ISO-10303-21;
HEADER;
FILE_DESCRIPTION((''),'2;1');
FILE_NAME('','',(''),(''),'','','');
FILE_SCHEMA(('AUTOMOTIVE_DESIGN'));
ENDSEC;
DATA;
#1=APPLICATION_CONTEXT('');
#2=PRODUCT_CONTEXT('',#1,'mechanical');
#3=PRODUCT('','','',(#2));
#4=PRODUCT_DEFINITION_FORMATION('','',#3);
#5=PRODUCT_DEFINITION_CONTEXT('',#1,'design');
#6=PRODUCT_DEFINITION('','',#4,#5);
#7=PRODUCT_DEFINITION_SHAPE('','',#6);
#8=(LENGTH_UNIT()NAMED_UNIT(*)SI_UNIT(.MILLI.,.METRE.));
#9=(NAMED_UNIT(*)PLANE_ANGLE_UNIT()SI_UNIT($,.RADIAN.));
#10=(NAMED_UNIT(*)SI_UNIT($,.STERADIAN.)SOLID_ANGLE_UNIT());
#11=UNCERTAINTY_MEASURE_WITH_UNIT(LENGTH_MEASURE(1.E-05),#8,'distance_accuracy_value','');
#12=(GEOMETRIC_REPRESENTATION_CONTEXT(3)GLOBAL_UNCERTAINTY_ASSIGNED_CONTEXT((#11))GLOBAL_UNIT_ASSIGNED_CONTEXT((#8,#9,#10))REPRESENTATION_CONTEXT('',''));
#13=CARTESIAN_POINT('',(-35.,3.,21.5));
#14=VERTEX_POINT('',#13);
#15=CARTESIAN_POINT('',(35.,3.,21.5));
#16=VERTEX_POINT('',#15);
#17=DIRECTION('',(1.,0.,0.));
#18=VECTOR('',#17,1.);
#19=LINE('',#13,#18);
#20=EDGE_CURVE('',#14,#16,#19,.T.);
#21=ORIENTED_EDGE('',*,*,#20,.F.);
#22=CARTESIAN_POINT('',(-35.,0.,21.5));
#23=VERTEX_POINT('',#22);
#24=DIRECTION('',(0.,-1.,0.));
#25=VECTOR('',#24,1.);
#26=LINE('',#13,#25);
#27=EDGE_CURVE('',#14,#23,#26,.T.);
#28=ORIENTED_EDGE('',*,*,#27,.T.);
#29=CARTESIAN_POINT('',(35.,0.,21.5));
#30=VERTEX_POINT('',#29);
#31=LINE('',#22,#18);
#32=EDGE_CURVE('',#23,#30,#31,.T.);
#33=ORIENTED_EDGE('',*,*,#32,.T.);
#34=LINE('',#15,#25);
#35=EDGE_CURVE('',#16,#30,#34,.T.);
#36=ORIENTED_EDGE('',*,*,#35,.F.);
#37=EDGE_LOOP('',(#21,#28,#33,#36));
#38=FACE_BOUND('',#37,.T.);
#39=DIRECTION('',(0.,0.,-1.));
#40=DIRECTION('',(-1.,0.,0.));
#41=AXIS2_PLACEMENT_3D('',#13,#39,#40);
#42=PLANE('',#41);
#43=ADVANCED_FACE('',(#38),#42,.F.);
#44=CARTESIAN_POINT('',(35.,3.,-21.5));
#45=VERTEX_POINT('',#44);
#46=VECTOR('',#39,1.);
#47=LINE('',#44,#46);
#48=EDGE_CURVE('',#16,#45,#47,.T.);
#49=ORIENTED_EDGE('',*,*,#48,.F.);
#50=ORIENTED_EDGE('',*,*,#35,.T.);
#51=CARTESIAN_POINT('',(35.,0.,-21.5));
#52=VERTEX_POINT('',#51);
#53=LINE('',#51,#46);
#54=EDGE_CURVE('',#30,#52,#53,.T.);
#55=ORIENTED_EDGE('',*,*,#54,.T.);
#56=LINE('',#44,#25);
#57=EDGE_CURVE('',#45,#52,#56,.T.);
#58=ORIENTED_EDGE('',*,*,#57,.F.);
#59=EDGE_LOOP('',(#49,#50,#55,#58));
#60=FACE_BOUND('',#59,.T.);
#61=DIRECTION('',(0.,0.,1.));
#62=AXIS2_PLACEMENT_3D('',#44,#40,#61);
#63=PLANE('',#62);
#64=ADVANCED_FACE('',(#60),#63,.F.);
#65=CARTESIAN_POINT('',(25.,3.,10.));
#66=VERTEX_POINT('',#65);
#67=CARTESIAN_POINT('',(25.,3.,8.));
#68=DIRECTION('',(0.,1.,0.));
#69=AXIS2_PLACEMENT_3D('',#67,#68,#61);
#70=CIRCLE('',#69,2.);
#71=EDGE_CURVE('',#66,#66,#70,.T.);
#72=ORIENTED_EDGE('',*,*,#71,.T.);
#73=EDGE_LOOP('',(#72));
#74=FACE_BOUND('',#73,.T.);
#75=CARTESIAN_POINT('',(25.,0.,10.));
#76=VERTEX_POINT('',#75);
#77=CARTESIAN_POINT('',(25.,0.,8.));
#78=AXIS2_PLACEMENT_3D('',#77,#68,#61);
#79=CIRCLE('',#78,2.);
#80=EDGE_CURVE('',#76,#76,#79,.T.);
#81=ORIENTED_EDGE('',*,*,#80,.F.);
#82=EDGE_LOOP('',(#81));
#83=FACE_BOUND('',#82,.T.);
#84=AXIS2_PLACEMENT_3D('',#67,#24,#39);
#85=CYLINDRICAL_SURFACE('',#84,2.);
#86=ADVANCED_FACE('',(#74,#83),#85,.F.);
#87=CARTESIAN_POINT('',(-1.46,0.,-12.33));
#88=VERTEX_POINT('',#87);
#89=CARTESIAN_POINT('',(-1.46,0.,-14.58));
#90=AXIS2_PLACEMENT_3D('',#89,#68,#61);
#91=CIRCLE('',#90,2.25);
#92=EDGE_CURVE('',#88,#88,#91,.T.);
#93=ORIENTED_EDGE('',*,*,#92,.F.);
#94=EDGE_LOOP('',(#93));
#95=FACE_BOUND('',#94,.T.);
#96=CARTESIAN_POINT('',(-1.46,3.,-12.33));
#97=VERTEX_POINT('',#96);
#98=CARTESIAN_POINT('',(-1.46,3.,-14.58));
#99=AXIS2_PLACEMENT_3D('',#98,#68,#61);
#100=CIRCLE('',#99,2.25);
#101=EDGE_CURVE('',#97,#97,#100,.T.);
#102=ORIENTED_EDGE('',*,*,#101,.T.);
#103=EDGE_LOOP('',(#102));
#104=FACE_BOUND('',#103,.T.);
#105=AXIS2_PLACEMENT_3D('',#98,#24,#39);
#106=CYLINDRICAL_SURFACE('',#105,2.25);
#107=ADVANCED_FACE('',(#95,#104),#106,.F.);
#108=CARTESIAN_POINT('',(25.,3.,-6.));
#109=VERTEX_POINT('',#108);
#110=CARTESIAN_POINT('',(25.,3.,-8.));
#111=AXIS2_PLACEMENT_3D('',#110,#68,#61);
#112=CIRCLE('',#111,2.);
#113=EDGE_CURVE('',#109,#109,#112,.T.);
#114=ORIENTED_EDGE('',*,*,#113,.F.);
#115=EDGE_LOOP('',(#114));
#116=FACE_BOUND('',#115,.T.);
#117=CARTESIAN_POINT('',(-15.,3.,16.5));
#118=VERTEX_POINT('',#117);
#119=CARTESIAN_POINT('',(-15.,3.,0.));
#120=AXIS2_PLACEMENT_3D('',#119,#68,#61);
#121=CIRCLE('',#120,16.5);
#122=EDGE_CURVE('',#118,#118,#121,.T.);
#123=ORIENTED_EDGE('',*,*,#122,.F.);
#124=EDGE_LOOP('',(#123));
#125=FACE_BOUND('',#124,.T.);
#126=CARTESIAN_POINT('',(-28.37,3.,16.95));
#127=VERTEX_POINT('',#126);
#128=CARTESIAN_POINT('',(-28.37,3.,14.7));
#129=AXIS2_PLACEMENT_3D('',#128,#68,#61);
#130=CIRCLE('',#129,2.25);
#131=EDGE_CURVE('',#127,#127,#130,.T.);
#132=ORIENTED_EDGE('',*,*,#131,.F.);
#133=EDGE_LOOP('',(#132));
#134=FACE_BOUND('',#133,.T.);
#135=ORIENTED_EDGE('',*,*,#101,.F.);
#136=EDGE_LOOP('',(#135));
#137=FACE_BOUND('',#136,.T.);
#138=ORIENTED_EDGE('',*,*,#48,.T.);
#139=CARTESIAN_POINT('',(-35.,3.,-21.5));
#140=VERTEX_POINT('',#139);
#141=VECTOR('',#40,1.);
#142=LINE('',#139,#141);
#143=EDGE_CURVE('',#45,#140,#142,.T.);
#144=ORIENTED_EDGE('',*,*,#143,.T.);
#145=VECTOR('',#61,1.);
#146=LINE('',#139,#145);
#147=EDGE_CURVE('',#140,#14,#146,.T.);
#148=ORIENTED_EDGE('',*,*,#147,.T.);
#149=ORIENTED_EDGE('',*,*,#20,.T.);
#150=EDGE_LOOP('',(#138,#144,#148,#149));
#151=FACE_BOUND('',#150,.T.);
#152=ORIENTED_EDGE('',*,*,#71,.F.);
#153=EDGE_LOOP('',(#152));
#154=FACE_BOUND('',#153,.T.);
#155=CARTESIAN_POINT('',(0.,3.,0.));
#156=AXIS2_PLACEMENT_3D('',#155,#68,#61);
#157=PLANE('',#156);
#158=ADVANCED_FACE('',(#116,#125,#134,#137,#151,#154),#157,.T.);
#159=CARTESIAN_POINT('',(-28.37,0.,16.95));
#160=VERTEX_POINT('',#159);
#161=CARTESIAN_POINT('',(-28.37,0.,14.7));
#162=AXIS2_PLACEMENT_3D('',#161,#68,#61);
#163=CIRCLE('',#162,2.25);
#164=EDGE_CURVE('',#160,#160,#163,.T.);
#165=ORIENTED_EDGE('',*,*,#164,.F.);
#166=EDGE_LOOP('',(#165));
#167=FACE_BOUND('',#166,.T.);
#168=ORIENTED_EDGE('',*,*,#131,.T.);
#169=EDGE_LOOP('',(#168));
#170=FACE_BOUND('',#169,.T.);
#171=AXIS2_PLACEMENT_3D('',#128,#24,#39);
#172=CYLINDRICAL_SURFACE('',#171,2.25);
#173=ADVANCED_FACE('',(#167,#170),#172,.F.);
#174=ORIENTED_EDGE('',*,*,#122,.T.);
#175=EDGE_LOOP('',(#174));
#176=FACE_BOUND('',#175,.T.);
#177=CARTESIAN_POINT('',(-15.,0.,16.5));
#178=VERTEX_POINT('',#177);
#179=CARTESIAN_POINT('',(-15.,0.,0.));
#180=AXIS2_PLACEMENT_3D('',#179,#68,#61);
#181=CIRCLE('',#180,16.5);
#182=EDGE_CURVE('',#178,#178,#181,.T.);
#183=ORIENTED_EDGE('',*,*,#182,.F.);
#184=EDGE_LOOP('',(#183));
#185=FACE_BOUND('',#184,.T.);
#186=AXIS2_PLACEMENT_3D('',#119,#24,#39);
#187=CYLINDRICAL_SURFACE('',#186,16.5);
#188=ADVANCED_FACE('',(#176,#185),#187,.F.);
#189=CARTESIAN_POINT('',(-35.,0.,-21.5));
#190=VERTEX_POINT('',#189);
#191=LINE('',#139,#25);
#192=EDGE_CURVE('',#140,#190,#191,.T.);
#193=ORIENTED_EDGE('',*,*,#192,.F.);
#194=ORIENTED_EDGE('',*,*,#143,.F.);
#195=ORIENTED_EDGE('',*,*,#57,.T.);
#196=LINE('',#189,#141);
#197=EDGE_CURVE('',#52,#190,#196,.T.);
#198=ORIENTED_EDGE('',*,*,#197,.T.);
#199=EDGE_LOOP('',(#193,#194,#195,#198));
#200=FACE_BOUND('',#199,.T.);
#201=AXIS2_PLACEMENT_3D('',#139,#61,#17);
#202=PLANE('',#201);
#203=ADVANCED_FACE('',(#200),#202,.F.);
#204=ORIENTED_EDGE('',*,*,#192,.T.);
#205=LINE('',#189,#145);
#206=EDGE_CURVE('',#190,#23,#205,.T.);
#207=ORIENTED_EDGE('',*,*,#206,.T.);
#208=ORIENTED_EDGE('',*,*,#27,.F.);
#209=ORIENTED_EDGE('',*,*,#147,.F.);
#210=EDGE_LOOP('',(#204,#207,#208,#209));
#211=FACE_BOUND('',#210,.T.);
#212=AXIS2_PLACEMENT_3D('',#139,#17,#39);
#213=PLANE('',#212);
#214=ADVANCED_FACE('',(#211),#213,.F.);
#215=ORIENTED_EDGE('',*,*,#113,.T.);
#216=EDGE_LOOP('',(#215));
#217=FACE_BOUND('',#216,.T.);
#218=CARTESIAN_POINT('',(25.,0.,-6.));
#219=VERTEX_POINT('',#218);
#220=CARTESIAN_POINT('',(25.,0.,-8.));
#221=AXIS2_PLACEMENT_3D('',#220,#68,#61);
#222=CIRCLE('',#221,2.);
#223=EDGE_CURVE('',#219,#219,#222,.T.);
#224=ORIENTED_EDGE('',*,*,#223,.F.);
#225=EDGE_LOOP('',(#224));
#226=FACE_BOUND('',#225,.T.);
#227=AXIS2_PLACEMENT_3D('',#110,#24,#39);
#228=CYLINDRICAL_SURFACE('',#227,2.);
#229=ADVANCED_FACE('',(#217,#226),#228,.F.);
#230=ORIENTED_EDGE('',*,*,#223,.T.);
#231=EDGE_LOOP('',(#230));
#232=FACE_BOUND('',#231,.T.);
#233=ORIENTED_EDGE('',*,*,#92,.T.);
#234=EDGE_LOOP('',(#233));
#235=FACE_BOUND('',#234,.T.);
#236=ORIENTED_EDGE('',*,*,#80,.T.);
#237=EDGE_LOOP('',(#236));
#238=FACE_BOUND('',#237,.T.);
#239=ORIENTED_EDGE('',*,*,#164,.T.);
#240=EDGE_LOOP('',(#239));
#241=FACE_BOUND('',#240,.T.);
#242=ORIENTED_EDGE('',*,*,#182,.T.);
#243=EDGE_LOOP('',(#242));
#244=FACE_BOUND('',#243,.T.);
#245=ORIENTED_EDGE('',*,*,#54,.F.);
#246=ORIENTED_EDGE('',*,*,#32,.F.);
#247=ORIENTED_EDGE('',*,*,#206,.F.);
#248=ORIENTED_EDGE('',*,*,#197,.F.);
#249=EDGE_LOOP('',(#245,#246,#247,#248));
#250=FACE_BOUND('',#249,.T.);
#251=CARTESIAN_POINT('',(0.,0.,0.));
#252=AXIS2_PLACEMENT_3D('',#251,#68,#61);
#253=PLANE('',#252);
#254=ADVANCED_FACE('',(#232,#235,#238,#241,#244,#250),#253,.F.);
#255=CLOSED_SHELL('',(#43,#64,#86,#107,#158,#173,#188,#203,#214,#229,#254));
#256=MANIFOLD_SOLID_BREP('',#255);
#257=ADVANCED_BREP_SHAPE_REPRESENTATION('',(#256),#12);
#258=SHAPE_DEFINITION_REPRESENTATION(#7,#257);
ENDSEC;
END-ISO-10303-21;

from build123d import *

# Parameters (mm, degrees)
SKETCH1_W           = 70
SKETCH1_H           = 43
SKETCH1_R           = 16.5
SKETCH1_R_2         = 2.25
SKETCH1_R_3         = 2
BOSS_EXTRUDE1_DEPTH = 3


with BuildPart() as part:
    # Sketch1 → Boss-Extrude1 (new body)
    with BuildSketch(Plane(origin=(0, 0, 0), x_dir=(1, 0, 0), z_dir=(0, 1, 0))):
        Rectangle(SKETCH1_W, SKETCH1_H)
        with Locations(Location((-15, 0, 0), (0, 0, 270))):
            Circle(SKETCH1_R, mode=Mode.SUBTRACT)
        with Locations(Location((-1.46, 14.58, 0), (0, 0, 270))):
            Circle(SKETCH1_R_2, mode=Mode.SUBTRACT)
        with Locations(Location((-28.37, -14.7, 0), (0, 0, 270))):
            Circle(SKETCH1_R_2, mode=Mode.SUBTRACT)
        with Locations(Location((25, 8, 0), (0, 0, 270))):
            Circle(SKETCH1_R_3, mode=Mode.SUBTRACT)
        with Locations(Location((25, -8, 0), (0, 0, 270))):
            Circle(SKETCH1_R_3, mode=Mode.SUBTRACT)
    extrude(amount=BOSS_EXTRUDE1_DEPTH)


solid = part.part
